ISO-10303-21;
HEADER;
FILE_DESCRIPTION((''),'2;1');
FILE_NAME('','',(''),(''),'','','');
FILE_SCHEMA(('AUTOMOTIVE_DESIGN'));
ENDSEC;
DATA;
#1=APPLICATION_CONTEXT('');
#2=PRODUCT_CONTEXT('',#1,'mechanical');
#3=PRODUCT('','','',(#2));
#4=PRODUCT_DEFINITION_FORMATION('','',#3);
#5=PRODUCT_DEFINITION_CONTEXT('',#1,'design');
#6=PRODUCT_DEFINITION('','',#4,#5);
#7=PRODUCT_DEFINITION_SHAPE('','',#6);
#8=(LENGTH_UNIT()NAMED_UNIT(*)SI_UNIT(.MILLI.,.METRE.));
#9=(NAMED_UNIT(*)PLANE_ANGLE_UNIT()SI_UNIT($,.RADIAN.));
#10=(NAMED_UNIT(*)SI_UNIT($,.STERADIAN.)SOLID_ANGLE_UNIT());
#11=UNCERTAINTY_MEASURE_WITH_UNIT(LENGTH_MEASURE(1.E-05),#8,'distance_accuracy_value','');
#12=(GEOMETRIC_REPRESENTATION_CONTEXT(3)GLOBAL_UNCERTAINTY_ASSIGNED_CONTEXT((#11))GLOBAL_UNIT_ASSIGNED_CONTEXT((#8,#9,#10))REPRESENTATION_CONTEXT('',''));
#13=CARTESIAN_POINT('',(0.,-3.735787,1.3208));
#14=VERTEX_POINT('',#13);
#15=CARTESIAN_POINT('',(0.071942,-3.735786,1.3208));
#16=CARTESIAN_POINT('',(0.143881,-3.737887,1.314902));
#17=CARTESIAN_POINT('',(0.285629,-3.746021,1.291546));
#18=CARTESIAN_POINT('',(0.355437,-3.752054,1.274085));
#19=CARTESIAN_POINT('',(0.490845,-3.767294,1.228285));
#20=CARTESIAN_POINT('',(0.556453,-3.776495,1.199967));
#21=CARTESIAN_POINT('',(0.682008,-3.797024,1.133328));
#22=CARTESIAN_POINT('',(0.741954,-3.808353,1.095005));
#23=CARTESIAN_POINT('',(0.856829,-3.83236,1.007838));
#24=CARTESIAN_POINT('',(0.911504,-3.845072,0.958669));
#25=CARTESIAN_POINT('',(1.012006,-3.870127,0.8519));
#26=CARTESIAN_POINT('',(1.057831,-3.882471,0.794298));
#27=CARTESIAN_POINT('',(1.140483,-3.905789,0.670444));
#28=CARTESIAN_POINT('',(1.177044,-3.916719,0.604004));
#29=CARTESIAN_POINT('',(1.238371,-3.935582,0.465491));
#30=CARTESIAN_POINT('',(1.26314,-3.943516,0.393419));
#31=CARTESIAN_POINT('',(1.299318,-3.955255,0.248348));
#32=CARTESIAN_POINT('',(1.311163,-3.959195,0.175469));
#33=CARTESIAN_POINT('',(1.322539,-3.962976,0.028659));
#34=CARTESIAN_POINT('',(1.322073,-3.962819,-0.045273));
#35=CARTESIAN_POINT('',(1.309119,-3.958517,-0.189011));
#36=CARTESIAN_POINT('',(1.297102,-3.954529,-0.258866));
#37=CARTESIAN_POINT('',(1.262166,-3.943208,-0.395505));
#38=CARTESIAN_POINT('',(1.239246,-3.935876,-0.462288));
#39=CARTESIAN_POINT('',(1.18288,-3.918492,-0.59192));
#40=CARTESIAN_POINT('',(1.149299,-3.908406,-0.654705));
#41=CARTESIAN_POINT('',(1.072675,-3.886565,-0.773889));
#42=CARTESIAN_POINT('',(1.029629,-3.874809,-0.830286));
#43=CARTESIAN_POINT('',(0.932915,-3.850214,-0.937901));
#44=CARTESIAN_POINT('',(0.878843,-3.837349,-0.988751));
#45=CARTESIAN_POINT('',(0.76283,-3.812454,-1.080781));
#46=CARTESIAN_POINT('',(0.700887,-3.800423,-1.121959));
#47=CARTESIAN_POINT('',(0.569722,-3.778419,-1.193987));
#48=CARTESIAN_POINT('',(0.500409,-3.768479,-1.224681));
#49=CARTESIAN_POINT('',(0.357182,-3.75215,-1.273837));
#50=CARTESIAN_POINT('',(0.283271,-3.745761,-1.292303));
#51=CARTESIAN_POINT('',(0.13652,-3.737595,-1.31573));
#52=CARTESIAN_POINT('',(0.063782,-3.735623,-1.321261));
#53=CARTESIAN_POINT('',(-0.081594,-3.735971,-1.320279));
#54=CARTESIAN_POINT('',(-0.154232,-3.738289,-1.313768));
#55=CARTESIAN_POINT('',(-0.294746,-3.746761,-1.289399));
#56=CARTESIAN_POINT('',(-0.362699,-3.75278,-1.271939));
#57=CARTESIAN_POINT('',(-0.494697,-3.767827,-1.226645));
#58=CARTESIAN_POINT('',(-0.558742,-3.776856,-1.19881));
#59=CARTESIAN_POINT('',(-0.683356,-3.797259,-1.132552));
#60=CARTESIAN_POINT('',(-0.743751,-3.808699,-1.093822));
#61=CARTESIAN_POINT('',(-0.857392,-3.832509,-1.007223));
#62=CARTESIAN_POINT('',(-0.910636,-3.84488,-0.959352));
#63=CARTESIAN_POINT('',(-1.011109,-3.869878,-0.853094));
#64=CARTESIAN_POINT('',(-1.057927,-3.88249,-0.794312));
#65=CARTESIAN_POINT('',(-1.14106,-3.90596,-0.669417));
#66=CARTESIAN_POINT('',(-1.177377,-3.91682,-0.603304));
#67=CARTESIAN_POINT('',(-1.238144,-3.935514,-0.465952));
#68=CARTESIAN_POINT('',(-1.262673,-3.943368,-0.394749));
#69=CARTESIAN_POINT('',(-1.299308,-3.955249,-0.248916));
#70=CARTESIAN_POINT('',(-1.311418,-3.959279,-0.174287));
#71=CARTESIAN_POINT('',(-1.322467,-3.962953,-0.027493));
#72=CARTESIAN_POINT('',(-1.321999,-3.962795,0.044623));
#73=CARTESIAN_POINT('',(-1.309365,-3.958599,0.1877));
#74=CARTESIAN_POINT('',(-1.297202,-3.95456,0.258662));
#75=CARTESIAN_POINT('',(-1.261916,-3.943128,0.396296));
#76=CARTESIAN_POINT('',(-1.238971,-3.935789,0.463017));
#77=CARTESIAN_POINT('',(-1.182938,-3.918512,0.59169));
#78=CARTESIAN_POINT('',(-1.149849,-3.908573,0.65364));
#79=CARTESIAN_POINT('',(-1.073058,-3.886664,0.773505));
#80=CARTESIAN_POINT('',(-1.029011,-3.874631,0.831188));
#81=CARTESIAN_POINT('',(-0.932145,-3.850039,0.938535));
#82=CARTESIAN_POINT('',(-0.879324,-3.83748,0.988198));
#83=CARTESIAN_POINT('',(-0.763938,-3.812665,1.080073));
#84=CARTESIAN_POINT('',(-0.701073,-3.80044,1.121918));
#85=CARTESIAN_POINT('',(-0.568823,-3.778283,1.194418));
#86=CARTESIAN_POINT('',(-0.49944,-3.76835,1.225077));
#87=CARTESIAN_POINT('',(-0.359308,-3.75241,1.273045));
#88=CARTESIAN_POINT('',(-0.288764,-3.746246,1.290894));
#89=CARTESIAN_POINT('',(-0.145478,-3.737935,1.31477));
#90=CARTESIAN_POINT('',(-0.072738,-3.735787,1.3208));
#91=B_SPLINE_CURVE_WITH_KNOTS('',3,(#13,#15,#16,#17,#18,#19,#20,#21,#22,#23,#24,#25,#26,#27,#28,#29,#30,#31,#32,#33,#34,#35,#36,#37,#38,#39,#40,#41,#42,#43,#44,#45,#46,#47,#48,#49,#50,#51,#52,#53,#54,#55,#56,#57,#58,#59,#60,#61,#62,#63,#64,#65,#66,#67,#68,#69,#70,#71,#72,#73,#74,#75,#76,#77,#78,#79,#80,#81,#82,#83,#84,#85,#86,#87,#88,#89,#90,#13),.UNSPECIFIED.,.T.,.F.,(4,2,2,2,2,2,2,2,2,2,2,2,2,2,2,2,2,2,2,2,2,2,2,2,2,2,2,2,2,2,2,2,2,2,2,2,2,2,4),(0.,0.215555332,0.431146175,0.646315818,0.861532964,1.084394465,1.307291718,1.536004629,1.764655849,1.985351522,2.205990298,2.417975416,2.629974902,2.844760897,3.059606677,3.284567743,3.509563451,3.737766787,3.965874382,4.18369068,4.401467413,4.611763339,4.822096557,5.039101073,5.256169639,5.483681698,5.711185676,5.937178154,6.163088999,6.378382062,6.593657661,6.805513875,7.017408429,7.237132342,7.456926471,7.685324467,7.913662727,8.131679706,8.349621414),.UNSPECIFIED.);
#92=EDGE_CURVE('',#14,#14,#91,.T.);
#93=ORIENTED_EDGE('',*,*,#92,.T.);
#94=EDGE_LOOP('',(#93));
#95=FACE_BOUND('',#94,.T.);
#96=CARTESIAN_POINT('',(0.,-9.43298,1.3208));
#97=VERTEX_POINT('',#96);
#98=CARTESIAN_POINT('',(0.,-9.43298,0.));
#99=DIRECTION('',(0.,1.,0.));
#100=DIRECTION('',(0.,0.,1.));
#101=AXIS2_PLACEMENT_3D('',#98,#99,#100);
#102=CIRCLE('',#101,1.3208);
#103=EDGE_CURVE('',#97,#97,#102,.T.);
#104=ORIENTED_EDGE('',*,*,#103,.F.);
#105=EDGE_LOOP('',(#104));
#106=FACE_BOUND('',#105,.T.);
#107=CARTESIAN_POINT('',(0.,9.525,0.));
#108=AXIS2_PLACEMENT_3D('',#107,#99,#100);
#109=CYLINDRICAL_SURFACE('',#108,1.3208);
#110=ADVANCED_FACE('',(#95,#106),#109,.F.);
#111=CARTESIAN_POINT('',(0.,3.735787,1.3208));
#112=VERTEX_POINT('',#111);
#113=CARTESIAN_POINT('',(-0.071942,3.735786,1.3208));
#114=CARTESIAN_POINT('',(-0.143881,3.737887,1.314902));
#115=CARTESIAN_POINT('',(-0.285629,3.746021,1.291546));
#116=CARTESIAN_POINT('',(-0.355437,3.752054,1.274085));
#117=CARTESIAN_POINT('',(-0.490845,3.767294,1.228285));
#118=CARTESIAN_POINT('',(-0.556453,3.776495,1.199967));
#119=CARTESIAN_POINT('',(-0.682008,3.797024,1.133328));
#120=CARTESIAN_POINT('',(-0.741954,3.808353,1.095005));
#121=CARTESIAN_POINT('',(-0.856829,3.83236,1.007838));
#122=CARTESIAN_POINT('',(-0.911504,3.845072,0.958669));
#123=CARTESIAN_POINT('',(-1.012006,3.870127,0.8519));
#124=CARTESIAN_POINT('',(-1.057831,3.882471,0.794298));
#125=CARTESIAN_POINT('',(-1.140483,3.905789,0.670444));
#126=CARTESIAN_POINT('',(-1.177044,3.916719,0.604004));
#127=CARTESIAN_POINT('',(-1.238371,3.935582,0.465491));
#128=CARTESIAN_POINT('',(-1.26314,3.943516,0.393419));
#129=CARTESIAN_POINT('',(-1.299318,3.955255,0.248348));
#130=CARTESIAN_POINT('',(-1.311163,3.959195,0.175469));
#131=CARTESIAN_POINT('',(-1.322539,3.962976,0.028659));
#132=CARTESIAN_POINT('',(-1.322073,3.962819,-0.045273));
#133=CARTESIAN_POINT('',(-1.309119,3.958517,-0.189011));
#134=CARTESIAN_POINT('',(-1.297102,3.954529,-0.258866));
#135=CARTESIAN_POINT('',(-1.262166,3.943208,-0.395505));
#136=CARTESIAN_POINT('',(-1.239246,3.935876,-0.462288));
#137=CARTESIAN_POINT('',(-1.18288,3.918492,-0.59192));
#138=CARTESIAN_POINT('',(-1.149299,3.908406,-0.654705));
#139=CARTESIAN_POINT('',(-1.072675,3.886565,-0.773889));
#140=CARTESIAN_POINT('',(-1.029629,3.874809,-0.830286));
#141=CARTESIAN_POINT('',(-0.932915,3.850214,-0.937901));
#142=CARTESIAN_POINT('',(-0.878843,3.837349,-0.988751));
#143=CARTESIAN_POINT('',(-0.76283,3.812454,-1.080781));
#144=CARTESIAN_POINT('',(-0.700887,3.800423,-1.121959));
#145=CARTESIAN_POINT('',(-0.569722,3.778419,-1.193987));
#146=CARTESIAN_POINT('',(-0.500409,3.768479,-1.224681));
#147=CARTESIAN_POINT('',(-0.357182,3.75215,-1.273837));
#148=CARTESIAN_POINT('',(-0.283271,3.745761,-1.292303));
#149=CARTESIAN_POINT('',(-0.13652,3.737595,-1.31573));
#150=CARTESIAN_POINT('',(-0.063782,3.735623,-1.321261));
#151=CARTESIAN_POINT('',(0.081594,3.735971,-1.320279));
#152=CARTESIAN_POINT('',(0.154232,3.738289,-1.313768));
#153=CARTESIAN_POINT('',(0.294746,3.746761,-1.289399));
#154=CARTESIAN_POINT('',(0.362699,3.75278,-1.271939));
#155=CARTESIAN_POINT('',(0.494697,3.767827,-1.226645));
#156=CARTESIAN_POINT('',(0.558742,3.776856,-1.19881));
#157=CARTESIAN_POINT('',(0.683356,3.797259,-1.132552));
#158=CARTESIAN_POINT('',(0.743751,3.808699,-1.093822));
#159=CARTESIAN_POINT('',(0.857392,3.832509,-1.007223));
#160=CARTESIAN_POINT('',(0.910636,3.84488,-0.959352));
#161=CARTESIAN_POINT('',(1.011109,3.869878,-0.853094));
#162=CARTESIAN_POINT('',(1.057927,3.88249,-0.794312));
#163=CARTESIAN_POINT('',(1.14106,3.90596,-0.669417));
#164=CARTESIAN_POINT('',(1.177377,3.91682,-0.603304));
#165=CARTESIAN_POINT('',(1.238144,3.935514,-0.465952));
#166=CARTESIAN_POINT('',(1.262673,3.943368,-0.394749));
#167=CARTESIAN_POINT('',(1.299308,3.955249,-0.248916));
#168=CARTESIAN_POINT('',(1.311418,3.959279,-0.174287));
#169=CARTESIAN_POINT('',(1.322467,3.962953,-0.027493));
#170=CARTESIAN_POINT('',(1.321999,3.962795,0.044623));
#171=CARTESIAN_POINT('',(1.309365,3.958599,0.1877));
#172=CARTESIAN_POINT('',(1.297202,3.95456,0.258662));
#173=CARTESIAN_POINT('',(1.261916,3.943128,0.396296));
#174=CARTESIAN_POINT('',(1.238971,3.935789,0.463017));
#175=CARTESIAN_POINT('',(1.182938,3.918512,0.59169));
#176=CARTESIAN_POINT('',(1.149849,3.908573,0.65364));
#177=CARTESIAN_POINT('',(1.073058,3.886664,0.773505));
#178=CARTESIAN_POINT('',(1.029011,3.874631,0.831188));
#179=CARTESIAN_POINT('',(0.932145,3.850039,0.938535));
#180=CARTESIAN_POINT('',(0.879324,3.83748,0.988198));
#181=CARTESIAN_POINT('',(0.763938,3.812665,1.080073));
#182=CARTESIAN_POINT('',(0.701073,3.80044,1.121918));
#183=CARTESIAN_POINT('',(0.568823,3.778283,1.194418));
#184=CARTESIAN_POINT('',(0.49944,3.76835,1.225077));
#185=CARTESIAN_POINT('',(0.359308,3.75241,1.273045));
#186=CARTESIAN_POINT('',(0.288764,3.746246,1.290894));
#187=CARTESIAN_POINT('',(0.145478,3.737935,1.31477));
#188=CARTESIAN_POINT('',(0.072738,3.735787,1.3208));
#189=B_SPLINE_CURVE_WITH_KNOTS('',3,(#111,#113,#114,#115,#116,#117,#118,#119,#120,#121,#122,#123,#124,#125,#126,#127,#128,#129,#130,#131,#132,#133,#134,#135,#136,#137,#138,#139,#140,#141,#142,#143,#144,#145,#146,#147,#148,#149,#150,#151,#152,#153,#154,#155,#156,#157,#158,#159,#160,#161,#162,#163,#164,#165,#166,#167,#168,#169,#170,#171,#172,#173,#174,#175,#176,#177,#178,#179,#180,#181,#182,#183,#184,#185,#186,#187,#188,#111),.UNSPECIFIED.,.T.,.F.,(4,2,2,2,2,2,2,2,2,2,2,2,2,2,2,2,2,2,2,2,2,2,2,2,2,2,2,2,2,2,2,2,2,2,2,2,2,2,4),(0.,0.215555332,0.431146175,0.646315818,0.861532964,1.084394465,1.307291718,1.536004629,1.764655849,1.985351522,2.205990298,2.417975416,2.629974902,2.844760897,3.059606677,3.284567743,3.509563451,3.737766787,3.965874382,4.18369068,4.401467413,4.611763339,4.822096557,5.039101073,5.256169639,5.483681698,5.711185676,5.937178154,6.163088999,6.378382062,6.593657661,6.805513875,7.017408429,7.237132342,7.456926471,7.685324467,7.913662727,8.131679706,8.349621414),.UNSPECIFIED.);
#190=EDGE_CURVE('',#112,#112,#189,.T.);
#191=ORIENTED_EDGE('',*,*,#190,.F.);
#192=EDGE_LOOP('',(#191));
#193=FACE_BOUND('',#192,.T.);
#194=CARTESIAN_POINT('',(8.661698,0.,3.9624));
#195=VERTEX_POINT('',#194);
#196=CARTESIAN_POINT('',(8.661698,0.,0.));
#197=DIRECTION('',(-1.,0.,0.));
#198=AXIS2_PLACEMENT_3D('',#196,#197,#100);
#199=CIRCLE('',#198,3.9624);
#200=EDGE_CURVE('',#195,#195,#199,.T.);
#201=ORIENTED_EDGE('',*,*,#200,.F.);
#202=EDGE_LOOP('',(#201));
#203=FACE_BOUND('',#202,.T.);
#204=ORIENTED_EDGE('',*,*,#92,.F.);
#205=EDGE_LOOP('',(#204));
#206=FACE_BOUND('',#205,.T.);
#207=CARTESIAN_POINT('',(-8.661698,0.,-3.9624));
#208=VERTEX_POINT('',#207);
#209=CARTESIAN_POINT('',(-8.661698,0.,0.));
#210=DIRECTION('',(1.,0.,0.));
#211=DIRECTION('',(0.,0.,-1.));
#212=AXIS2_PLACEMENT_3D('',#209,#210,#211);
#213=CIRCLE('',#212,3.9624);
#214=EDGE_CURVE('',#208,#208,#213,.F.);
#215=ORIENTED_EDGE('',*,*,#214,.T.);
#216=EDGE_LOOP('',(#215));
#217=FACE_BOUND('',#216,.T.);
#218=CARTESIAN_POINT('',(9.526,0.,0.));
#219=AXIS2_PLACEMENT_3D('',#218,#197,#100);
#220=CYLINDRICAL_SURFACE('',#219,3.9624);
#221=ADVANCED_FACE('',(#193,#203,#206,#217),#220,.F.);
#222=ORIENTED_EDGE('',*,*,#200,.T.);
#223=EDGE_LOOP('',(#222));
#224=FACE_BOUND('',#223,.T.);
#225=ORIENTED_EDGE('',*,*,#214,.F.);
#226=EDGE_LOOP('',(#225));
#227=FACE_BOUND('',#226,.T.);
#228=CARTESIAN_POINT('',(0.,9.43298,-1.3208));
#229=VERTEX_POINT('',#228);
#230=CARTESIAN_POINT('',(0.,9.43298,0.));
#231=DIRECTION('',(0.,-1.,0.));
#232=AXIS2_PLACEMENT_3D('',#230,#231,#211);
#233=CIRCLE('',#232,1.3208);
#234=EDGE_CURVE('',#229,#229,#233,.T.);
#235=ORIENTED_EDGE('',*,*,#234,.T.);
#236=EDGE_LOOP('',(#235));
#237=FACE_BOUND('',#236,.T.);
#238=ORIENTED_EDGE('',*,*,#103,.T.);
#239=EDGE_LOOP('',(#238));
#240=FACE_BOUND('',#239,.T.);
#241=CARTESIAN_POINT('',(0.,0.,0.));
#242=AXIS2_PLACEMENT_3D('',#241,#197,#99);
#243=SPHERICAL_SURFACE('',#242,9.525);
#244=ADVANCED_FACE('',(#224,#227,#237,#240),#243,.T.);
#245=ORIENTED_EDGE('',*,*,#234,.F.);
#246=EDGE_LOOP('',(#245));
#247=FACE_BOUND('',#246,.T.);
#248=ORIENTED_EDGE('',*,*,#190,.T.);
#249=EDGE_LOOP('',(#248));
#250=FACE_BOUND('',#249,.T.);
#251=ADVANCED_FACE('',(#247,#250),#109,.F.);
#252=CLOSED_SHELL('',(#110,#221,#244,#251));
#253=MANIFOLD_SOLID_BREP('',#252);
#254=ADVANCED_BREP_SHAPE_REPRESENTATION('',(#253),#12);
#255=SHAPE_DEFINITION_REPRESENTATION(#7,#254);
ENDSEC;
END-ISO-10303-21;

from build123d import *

# Parameters (mm, degrees)
CUT_EXTRUDE1_REACH             = 18.498
SKETCH2_R                      = 3.9624
CUT_EXTRUDE1_DIRECTION_2_REACH = 18.498
F_37_0_104_DIAMETER_HOLE1_D    = 2.6416


with BuildPart() as part:
    # Sketch1 → Revolve1 (revolve)
    with BuildSketch(Plane.XY):
        with BuildLine():
            Line((-9.525, 0), (9.525, 0))
            ThreePointArc((9.525, 0), (0, 9.525), (-9.525, 0))
        make_face()
    revolve(axis=Axis((-12.682244361, 0, 0), (1, 0, 0)))

    # Sketch2 → Cut-Extrude1 (cut, up to next)
    with BuildSketch(Plane(origin=(0, 0, 0), x_dir=(0, 0, -1), z_dir=(1, 0, 0)), mode=Mode.PRIVATE) as cut_extrude1_sk1:
        with Locations(Location((0, 0, 0), (0, 0, 90))):
            Circle(SKETCH2_R)
    cut_extrude1_tool1 = extrude(cut_extrude1_sk1.sketch, amount=-CUT_EXTRUDE1_REACH, mode=Mode.PRIVATE) & part.part
    add(cut_extrude1_tool1.solids().sort_by_distance((0, 0, 0))[0], mode=Mode.SUBTRACT)

    # Sketch2 → Cut-Extrude1 direction 2 (cut, up to next)
    with BuildSketch(Plane(origin=(0, 0, 0), x_dir=(0, 0, -1), z_dir=(1, 0, 0)), mode=Mode.PRIVATE) as cut_extrude1_direction_2_sk1:
        with Locations(Location((0, 0, 0), (0, 0, 90))):
            Circle(SKETCH2_R)
    cut_extrude1_direction_2_tool1 = extrude(cut_extrude1_direction_2_sk1.sketch, amount=CUT_EXTRUDE1_DIRECTION_2_REACH, mode=Mode.PRIVATE) & part.part
    add(cut_extrude1_direction_2_tool1.solids().sort_by_distance((0, 0, 0))[0], mode=Mode.SUBTRACT)

    # #37 (0.104) Diameter Hole1 (through all)
    with Locations(Plane(origin=(0, 9.525, 0), x_dir=(1, 0, 0), z_dir=(0, 1, 0))):
        with Locations((0, 0)):
            Hole(F_37_0_104_DIAMETER_HOLE1_D / 2)


solid = part.part
